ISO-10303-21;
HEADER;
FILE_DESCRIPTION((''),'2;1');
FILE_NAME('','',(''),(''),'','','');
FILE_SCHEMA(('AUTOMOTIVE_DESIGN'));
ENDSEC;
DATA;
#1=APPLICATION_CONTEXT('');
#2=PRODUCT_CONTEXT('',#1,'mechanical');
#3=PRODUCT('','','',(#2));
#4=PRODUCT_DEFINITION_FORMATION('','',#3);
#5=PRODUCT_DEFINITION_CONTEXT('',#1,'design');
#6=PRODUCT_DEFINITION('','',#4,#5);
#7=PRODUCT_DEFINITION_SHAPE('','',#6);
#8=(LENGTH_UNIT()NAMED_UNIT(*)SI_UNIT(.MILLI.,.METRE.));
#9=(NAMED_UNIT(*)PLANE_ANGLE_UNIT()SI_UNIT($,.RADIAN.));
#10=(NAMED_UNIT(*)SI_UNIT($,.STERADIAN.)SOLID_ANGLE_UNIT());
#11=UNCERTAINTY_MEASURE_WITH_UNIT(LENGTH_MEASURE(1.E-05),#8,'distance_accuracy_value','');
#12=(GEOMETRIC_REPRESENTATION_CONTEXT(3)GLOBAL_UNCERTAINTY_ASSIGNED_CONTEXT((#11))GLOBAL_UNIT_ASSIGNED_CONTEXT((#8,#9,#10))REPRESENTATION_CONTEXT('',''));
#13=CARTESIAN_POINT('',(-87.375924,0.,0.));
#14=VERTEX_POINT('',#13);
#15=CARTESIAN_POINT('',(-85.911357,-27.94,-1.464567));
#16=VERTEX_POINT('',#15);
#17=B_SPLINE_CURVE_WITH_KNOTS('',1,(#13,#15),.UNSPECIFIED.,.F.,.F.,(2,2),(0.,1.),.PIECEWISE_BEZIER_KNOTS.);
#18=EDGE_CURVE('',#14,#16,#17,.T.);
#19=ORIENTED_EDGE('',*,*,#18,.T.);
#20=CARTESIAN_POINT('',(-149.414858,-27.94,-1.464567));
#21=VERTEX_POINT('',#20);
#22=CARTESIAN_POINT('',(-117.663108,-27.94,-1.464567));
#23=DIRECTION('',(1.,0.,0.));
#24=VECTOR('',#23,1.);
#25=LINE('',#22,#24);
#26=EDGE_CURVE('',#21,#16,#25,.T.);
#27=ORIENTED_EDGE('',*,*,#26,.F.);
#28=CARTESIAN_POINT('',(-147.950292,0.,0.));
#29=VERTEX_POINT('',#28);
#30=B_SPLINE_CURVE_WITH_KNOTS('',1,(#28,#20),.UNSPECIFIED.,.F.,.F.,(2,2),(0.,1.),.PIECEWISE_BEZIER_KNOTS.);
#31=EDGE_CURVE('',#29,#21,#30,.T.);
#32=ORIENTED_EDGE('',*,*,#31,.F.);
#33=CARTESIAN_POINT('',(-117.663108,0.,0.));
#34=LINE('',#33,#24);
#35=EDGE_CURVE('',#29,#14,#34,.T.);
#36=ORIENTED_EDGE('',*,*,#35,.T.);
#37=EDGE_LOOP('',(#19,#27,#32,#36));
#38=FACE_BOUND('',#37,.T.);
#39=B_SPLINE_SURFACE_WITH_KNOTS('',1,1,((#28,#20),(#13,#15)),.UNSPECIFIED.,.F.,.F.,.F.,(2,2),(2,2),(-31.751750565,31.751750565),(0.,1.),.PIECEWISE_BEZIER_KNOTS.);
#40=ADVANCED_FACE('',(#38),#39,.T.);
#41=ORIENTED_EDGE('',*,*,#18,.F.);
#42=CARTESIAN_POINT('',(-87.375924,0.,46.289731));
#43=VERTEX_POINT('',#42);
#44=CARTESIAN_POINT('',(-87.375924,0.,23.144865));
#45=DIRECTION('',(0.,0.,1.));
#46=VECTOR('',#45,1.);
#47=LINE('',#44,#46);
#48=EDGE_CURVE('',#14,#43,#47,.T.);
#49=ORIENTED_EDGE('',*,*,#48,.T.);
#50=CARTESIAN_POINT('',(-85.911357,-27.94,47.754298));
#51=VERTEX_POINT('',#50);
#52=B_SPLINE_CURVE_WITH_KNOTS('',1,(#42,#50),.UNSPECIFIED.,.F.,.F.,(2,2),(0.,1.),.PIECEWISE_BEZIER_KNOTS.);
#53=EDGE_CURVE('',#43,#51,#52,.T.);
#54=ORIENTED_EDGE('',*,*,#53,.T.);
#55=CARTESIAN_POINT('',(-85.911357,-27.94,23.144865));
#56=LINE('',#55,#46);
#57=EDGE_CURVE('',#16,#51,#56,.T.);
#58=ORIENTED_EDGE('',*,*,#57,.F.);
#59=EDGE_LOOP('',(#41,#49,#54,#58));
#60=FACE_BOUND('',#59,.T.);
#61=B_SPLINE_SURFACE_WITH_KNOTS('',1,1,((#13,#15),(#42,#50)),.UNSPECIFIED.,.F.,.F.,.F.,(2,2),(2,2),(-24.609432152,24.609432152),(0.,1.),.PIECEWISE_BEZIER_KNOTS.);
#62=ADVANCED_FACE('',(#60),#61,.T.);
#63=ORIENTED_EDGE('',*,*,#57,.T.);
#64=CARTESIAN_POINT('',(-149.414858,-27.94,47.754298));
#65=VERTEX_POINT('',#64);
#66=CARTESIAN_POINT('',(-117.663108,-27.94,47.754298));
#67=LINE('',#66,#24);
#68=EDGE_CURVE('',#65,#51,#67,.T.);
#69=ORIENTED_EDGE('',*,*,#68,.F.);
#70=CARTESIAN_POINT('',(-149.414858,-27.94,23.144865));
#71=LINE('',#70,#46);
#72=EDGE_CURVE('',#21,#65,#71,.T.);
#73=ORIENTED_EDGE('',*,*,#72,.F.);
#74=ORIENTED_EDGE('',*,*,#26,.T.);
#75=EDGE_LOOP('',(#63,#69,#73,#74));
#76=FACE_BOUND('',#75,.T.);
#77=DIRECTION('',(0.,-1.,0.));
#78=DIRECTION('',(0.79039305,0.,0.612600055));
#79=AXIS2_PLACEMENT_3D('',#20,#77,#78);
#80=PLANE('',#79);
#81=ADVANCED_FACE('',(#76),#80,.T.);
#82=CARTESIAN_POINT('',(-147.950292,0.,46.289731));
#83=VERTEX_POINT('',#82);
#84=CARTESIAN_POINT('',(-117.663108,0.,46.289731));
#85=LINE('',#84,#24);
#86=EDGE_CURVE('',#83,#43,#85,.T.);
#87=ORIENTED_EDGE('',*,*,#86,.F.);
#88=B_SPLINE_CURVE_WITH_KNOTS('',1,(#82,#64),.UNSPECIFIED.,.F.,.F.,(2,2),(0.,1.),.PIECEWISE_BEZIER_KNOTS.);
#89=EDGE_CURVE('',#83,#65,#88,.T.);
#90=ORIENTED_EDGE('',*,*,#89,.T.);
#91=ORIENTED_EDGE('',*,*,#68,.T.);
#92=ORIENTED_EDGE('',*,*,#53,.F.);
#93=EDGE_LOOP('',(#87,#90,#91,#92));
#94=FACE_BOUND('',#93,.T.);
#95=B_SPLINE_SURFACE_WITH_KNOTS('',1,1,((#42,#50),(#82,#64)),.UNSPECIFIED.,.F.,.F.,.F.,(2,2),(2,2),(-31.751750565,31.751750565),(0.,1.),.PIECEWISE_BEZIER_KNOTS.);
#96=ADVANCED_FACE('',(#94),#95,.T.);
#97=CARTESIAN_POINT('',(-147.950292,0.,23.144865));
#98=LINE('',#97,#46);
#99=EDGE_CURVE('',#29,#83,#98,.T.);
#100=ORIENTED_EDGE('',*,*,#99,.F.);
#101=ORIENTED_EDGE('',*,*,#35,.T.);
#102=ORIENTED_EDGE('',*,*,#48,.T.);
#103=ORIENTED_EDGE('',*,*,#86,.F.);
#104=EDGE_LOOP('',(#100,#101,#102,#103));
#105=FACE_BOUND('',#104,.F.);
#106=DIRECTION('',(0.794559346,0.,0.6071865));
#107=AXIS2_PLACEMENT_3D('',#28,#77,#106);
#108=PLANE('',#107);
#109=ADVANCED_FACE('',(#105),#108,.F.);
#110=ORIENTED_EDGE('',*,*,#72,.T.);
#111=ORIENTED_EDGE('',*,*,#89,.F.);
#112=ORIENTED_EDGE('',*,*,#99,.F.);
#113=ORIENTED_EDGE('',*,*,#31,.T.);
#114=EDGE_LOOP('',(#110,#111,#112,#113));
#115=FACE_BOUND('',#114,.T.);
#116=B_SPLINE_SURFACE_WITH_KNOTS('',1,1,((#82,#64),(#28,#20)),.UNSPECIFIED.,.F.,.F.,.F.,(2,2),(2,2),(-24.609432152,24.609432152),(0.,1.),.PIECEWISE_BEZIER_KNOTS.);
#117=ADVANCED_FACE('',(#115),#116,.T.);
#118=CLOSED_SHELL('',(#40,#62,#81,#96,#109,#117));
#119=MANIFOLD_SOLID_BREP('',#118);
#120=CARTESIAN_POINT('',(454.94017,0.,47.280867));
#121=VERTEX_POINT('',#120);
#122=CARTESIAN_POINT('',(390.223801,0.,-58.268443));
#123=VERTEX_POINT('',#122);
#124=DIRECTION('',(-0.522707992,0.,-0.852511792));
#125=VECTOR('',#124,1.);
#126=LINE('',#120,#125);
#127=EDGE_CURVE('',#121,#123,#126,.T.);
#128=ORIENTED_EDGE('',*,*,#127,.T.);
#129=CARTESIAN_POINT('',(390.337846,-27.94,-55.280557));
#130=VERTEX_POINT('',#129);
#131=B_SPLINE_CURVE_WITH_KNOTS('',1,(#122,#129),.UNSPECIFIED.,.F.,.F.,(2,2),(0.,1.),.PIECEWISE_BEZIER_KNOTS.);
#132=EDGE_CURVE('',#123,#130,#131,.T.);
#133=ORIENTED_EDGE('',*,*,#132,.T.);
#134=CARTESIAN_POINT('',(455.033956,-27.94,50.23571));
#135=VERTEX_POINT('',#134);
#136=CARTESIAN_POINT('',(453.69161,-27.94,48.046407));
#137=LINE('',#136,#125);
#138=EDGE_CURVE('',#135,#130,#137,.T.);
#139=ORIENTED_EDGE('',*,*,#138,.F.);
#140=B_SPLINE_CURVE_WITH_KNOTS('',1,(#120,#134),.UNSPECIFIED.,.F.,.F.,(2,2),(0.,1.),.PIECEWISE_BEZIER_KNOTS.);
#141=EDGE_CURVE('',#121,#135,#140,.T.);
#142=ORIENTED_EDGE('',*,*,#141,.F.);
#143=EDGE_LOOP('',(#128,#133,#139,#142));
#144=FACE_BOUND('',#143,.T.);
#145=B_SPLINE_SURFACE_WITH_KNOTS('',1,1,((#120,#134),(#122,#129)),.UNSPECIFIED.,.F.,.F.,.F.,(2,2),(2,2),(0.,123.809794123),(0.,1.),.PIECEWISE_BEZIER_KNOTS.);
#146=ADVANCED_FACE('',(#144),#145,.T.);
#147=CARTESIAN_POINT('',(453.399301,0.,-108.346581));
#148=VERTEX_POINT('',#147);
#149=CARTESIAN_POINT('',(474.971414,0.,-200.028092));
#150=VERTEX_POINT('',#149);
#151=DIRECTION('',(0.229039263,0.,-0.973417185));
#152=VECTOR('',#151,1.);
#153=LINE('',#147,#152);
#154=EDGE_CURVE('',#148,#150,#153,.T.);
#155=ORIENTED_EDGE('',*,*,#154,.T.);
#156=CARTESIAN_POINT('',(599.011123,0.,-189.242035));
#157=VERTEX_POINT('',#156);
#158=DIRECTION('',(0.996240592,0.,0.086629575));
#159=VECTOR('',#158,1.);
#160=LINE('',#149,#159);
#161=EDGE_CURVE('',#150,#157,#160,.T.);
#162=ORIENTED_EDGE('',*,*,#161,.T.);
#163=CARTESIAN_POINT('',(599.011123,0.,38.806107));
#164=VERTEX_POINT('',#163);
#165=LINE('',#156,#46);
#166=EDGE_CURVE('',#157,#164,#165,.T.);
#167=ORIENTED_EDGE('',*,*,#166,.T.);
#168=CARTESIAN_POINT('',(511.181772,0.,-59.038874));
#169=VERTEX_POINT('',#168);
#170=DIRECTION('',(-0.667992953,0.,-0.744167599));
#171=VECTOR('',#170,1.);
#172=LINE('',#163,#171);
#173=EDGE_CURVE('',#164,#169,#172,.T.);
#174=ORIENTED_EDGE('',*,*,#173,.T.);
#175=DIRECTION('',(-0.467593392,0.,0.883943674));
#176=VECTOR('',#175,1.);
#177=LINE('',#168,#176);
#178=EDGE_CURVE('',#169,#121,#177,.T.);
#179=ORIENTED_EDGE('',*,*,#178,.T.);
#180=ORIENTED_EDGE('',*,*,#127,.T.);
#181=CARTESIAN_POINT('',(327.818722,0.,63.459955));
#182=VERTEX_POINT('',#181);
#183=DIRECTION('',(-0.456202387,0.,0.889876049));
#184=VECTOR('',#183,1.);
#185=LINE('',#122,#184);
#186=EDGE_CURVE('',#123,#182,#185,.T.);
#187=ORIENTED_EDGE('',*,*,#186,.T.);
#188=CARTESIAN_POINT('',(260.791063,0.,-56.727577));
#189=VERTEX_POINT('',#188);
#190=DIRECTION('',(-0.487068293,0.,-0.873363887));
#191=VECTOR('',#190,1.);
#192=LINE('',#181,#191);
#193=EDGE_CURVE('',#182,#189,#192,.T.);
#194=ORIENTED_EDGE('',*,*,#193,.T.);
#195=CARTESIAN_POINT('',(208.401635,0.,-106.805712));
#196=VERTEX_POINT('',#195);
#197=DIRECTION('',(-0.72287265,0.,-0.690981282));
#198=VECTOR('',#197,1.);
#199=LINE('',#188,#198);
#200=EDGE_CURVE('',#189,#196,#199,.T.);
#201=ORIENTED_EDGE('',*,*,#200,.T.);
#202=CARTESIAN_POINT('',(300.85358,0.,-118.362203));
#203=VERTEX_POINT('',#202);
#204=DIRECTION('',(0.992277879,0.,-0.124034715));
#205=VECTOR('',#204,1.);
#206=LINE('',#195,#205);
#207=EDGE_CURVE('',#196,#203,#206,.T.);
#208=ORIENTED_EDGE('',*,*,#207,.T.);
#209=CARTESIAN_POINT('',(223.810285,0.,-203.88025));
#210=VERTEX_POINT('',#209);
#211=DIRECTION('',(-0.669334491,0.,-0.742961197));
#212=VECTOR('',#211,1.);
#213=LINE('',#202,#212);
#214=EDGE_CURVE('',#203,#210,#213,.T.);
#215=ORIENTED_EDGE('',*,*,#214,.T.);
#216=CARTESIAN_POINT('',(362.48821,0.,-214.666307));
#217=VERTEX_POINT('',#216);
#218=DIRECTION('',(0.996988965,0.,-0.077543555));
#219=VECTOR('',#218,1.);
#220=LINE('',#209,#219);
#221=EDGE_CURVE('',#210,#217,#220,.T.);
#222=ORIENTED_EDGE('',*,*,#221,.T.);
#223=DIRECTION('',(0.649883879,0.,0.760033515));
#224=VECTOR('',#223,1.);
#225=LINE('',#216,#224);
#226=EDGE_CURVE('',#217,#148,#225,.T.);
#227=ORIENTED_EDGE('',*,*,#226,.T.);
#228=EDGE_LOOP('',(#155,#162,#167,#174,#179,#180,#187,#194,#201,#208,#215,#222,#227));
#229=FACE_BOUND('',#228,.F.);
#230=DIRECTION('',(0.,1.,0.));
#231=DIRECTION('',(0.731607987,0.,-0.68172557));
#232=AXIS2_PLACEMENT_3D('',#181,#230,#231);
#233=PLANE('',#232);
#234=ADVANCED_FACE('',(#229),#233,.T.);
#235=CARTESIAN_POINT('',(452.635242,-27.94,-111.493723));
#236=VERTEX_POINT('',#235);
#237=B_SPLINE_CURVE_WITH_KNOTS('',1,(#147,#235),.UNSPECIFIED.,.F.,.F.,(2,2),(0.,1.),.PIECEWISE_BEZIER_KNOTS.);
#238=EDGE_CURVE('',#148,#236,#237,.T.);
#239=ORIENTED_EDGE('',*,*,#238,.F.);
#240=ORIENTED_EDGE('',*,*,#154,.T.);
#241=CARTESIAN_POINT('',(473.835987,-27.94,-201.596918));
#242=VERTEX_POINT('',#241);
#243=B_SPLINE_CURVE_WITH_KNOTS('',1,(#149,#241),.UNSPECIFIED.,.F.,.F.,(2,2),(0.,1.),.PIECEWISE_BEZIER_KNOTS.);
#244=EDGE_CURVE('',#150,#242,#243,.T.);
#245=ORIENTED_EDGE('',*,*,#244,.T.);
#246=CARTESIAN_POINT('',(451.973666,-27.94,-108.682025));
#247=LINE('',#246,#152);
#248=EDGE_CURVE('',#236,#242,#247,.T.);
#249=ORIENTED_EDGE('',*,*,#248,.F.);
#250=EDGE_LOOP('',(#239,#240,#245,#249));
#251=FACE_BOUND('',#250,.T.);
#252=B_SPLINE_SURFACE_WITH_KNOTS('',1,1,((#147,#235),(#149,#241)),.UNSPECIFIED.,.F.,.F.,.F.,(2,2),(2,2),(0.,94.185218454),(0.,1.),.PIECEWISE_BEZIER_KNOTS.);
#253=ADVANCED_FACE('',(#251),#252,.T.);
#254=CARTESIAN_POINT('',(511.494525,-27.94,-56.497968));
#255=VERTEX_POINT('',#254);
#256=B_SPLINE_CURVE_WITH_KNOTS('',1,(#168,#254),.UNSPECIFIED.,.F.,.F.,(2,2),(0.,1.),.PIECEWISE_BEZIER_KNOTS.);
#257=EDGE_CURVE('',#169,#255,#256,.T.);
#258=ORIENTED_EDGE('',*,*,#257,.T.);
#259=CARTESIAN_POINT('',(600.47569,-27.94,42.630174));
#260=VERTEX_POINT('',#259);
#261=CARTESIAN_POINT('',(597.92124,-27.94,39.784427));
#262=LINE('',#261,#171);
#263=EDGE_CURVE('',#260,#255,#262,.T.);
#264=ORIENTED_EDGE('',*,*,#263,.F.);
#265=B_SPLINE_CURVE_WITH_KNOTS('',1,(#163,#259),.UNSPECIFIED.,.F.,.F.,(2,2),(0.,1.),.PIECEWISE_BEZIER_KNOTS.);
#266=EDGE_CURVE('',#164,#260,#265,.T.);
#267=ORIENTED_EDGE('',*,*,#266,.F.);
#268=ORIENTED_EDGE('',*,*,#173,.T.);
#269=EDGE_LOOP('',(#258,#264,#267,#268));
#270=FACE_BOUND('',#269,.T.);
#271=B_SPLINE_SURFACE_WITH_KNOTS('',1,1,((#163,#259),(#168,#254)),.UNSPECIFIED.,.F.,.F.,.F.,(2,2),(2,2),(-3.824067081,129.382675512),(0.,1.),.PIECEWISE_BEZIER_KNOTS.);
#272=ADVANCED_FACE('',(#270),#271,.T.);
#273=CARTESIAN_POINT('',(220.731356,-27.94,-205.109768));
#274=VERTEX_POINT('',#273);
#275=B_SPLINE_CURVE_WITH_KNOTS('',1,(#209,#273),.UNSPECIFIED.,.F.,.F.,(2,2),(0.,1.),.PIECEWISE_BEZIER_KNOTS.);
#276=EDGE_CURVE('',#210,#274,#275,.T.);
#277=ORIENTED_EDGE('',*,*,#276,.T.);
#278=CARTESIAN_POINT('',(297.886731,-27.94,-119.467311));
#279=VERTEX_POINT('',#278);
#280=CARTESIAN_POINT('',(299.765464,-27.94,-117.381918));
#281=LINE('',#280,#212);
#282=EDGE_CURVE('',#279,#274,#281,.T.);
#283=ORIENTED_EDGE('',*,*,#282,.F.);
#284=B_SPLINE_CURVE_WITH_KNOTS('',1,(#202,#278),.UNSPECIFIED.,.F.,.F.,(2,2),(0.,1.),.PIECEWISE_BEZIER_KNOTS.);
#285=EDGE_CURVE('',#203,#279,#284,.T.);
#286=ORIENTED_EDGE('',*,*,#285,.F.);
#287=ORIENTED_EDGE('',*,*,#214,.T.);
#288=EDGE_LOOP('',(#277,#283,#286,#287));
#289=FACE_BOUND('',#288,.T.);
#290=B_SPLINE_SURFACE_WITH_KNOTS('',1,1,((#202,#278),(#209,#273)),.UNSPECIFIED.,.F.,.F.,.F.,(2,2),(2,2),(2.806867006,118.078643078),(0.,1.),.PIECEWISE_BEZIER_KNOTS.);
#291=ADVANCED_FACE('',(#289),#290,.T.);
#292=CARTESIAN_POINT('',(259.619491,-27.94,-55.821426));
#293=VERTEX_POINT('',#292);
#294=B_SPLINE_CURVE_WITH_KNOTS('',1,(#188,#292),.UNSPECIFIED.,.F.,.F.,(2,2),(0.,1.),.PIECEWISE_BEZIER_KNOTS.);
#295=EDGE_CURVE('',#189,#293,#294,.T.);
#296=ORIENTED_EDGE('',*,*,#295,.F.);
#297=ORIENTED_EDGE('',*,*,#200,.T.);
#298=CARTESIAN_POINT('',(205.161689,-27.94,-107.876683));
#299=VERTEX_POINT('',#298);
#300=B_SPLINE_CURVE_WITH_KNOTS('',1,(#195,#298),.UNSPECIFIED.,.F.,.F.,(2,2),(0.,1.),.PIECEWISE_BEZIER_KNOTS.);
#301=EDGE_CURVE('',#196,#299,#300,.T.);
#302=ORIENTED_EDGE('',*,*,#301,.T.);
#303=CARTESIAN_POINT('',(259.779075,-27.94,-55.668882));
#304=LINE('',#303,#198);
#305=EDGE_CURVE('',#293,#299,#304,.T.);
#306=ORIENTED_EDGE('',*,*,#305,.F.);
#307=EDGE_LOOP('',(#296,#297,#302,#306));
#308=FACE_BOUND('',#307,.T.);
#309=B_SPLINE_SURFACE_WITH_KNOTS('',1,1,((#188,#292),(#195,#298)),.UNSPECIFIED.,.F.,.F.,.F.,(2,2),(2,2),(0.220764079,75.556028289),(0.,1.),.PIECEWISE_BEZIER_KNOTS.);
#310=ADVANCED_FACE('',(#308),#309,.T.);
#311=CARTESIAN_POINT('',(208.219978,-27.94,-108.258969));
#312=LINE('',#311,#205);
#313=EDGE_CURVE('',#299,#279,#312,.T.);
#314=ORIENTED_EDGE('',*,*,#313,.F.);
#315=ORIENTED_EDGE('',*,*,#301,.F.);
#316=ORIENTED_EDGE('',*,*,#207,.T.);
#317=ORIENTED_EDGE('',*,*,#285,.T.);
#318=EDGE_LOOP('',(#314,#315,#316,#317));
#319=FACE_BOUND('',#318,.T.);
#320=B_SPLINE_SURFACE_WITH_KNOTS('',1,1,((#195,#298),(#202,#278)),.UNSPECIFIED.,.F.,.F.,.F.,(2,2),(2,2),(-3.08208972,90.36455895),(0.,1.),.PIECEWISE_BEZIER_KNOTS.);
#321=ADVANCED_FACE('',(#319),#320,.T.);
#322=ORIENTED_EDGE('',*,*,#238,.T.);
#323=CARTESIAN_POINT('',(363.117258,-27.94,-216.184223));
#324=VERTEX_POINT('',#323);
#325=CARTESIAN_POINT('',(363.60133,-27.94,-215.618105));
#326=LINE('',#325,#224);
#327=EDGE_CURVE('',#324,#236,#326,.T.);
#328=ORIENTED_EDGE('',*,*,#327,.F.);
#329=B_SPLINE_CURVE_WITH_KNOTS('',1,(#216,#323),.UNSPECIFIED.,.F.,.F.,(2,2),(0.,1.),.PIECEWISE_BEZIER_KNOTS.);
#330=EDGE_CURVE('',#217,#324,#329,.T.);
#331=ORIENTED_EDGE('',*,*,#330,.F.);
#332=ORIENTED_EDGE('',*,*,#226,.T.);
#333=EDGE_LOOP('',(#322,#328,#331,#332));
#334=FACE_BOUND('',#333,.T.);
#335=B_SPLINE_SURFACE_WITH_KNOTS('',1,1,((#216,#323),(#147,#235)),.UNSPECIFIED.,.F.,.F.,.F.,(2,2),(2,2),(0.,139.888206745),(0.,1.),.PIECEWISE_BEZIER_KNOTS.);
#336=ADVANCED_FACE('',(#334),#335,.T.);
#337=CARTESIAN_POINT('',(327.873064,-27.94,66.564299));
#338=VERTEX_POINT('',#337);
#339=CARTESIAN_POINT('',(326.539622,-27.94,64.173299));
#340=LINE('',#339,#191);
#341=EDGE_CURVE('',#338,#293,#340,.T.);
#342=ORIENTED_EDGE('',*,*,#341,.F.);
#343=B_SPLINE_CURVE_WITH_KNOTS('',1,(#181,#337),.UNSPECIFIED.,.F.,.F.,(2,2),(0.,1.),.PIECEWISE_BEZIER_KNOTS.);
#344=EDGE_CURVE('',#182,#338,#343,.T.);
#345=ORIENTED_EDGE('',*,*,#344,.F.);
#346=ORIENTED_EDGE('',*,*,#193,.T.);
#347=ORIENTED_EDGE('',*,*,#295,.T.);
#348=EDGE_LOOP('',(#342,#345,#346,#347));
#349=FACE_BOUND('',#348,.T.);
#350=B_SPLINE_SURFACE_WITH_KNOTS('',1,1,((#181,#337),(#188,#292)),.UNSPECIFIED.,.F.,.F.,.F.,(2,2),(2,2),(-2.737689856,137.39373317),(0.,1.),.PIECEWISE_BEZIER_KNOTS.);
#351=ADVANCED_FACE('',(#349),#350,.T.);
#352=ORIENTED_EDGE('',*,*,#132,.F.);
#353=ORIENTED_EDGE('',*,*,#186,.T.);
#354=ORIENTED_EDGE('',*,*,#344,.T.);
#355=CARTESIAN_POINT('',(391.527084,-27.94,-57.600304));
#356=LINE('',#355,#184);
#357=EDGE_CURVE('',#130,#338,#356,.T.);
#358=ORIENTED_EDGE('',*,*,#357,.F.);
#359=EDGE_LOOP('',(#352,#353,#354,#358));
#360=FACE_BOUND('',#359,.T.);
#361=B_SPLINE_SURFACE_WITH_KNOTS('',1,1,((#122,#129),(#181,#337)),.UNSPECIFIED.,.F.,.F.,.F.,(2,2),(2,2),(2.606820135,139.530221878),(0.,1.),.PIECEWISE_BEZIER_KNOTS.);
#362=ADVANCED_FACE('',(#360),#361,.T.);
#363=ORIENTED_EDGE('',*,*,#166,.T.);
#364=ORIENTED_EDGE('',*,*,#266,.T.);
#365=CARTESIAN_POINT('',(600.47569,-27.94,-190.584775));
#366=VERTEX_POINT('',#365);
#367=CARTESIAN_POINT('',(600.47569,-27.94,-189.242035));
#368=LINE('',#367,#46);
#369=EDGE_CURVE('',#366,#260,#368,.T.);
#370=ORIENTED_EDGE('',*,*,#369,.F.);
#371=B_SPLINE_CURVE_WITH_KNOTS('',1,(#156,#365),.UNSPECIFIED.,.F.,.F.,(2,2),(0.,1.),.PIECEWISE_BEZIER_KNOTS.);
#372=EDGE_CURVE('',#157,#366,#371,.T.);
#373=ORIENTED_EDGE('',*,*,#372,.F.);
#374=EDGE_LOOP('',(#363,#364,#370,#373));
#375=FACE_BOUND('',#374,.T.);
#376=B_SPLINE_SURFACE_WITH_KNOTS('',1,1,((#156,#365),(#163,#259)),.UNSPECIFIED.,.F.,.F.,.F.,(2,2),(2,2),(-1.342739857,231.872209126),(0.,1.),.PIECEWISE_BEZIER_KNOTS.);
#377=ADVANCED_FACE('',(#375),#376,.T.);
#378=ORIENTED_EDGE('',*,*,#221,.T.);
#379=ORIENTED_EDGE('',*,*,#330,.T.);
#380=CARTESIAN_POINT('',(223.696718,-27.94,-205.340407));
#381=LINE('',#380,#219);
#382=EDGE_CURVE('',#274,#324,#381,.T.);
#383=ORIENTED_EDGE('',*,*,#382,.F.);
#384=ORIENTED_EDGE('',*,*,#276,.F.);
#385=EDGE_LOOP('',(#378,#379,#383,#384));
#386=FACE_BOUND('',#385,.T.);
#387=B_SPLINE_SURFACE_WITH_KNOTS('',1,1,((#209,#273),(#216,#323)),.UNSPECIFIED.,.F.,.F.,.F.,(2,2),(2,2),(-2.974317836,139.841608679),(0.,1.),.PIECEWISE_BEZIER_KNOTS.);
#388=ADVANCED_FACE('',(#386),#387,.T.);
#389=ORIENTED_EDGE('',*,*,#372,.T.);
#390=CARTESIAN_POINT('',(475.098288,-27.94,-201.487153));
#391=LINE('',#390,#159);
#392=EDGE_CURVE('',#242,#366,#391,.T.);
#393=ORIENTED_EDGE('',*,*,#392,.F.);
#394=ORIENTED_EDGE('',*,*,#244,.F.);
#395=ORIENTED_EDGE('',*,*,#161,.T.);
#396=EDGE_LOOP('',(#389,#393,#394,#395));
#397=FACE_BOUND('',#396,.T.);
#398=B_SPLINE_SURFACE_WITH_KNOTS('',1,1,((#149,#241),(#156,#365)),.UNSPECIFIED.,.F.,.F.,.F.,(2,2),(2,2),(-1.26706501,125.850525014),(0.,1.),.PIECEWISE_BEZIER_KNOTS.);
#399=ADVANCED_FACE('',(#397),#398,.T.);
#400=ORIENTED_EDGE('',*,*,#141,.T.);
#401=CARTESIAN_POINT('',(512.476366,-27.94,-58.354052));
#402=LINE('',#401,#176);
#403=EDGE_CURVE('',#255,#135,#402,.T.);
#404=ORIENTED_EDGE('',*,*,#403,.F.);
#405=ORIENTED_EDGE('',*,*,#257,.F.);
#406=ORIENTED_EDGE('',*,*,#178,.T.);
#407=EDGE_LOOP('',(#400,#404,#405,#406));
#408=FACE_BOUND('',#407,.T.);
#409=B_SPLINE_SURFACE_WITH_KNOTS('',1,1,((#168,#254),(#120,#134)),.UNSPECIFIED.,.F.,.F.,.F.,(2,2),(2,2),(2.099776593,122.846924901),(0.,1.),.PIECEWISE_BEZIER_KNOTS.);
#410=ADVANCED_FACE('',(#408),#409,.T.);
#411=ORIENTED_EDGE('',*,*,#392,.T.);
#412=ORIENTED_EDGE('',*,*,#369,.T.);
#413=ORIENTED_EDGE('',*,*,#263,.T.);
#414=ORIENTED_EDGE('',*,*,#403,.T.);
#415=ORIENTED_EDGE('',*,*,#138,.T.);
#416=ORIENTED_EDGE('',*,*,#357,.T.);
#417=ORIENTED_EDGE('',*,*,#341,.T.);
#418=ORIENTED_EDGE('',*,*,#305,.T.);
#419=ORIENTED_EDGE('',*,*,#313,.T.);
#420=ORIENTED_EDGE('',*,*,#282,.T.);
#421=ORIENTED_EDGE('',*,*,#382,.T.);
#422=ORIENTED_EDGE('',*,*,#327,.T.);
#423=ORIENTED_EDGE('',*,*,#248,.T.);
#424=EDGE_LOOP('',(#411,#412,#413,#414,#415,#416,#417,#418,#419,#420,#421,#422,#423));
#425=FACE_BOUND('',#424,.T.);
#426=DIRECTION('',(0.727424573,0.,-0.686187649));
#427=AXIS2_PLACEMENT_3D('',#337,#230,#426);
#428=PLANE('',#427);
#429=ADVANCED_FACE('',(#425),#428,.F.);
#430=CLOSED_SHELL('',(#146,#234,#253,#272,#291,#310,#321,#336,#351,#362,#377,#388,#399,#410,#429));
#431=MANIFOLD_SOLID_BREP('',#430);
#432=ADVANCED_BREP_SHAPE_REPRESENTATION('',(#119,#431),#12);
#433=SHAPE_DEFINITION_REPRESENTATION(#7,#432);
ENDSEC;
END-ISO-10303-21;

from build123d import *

# Parameters (mm, degrees)
F1_DEPTH = 27.94
F1_TAPER = -3.0006
F0_W     = 60.5743676424
F0_H     = 46.2897308171


with BuildPart() as f1:
    # F0 (on Front) → F1 (new body)
    with BuildSketch(Plane.XZ):
        Polygon((327.8187215328, 63.4599551558), (260.7910633087, -56.7275770009), (208.4016352892, -106.8057119846), (300.8535802364, -118.3622032404), (223.8102853298, -203.8802504539), (362.4882102013, -214.6663069725), (453.3993005753, -108.346581459), (474.9714136124, -200.0280916691), (599.0111231804, -189.2420351505), (599.0111231804, 38.8061068952), (511.1817717552, -59.0388737619), (454.9401700497, 47.2808666527), (390.223801136, -58.26844275), align=None)
    extrude(amount=F1_DEPTH, taper=F1_TAPER)


with BuildPart() as f1b:
    # F0 (on Front) → F1, piece 2 (new body)
    with BuildSketch(Plane.XZ):
        with Locations((-117.6631078124, 23.1448654085)):
            Rectangle(F0_W, F0_H)
    extrude(amount=F1_DEPTH, taper=F1_TAPER)


solid = Compound([f1.part, f1b.part])
